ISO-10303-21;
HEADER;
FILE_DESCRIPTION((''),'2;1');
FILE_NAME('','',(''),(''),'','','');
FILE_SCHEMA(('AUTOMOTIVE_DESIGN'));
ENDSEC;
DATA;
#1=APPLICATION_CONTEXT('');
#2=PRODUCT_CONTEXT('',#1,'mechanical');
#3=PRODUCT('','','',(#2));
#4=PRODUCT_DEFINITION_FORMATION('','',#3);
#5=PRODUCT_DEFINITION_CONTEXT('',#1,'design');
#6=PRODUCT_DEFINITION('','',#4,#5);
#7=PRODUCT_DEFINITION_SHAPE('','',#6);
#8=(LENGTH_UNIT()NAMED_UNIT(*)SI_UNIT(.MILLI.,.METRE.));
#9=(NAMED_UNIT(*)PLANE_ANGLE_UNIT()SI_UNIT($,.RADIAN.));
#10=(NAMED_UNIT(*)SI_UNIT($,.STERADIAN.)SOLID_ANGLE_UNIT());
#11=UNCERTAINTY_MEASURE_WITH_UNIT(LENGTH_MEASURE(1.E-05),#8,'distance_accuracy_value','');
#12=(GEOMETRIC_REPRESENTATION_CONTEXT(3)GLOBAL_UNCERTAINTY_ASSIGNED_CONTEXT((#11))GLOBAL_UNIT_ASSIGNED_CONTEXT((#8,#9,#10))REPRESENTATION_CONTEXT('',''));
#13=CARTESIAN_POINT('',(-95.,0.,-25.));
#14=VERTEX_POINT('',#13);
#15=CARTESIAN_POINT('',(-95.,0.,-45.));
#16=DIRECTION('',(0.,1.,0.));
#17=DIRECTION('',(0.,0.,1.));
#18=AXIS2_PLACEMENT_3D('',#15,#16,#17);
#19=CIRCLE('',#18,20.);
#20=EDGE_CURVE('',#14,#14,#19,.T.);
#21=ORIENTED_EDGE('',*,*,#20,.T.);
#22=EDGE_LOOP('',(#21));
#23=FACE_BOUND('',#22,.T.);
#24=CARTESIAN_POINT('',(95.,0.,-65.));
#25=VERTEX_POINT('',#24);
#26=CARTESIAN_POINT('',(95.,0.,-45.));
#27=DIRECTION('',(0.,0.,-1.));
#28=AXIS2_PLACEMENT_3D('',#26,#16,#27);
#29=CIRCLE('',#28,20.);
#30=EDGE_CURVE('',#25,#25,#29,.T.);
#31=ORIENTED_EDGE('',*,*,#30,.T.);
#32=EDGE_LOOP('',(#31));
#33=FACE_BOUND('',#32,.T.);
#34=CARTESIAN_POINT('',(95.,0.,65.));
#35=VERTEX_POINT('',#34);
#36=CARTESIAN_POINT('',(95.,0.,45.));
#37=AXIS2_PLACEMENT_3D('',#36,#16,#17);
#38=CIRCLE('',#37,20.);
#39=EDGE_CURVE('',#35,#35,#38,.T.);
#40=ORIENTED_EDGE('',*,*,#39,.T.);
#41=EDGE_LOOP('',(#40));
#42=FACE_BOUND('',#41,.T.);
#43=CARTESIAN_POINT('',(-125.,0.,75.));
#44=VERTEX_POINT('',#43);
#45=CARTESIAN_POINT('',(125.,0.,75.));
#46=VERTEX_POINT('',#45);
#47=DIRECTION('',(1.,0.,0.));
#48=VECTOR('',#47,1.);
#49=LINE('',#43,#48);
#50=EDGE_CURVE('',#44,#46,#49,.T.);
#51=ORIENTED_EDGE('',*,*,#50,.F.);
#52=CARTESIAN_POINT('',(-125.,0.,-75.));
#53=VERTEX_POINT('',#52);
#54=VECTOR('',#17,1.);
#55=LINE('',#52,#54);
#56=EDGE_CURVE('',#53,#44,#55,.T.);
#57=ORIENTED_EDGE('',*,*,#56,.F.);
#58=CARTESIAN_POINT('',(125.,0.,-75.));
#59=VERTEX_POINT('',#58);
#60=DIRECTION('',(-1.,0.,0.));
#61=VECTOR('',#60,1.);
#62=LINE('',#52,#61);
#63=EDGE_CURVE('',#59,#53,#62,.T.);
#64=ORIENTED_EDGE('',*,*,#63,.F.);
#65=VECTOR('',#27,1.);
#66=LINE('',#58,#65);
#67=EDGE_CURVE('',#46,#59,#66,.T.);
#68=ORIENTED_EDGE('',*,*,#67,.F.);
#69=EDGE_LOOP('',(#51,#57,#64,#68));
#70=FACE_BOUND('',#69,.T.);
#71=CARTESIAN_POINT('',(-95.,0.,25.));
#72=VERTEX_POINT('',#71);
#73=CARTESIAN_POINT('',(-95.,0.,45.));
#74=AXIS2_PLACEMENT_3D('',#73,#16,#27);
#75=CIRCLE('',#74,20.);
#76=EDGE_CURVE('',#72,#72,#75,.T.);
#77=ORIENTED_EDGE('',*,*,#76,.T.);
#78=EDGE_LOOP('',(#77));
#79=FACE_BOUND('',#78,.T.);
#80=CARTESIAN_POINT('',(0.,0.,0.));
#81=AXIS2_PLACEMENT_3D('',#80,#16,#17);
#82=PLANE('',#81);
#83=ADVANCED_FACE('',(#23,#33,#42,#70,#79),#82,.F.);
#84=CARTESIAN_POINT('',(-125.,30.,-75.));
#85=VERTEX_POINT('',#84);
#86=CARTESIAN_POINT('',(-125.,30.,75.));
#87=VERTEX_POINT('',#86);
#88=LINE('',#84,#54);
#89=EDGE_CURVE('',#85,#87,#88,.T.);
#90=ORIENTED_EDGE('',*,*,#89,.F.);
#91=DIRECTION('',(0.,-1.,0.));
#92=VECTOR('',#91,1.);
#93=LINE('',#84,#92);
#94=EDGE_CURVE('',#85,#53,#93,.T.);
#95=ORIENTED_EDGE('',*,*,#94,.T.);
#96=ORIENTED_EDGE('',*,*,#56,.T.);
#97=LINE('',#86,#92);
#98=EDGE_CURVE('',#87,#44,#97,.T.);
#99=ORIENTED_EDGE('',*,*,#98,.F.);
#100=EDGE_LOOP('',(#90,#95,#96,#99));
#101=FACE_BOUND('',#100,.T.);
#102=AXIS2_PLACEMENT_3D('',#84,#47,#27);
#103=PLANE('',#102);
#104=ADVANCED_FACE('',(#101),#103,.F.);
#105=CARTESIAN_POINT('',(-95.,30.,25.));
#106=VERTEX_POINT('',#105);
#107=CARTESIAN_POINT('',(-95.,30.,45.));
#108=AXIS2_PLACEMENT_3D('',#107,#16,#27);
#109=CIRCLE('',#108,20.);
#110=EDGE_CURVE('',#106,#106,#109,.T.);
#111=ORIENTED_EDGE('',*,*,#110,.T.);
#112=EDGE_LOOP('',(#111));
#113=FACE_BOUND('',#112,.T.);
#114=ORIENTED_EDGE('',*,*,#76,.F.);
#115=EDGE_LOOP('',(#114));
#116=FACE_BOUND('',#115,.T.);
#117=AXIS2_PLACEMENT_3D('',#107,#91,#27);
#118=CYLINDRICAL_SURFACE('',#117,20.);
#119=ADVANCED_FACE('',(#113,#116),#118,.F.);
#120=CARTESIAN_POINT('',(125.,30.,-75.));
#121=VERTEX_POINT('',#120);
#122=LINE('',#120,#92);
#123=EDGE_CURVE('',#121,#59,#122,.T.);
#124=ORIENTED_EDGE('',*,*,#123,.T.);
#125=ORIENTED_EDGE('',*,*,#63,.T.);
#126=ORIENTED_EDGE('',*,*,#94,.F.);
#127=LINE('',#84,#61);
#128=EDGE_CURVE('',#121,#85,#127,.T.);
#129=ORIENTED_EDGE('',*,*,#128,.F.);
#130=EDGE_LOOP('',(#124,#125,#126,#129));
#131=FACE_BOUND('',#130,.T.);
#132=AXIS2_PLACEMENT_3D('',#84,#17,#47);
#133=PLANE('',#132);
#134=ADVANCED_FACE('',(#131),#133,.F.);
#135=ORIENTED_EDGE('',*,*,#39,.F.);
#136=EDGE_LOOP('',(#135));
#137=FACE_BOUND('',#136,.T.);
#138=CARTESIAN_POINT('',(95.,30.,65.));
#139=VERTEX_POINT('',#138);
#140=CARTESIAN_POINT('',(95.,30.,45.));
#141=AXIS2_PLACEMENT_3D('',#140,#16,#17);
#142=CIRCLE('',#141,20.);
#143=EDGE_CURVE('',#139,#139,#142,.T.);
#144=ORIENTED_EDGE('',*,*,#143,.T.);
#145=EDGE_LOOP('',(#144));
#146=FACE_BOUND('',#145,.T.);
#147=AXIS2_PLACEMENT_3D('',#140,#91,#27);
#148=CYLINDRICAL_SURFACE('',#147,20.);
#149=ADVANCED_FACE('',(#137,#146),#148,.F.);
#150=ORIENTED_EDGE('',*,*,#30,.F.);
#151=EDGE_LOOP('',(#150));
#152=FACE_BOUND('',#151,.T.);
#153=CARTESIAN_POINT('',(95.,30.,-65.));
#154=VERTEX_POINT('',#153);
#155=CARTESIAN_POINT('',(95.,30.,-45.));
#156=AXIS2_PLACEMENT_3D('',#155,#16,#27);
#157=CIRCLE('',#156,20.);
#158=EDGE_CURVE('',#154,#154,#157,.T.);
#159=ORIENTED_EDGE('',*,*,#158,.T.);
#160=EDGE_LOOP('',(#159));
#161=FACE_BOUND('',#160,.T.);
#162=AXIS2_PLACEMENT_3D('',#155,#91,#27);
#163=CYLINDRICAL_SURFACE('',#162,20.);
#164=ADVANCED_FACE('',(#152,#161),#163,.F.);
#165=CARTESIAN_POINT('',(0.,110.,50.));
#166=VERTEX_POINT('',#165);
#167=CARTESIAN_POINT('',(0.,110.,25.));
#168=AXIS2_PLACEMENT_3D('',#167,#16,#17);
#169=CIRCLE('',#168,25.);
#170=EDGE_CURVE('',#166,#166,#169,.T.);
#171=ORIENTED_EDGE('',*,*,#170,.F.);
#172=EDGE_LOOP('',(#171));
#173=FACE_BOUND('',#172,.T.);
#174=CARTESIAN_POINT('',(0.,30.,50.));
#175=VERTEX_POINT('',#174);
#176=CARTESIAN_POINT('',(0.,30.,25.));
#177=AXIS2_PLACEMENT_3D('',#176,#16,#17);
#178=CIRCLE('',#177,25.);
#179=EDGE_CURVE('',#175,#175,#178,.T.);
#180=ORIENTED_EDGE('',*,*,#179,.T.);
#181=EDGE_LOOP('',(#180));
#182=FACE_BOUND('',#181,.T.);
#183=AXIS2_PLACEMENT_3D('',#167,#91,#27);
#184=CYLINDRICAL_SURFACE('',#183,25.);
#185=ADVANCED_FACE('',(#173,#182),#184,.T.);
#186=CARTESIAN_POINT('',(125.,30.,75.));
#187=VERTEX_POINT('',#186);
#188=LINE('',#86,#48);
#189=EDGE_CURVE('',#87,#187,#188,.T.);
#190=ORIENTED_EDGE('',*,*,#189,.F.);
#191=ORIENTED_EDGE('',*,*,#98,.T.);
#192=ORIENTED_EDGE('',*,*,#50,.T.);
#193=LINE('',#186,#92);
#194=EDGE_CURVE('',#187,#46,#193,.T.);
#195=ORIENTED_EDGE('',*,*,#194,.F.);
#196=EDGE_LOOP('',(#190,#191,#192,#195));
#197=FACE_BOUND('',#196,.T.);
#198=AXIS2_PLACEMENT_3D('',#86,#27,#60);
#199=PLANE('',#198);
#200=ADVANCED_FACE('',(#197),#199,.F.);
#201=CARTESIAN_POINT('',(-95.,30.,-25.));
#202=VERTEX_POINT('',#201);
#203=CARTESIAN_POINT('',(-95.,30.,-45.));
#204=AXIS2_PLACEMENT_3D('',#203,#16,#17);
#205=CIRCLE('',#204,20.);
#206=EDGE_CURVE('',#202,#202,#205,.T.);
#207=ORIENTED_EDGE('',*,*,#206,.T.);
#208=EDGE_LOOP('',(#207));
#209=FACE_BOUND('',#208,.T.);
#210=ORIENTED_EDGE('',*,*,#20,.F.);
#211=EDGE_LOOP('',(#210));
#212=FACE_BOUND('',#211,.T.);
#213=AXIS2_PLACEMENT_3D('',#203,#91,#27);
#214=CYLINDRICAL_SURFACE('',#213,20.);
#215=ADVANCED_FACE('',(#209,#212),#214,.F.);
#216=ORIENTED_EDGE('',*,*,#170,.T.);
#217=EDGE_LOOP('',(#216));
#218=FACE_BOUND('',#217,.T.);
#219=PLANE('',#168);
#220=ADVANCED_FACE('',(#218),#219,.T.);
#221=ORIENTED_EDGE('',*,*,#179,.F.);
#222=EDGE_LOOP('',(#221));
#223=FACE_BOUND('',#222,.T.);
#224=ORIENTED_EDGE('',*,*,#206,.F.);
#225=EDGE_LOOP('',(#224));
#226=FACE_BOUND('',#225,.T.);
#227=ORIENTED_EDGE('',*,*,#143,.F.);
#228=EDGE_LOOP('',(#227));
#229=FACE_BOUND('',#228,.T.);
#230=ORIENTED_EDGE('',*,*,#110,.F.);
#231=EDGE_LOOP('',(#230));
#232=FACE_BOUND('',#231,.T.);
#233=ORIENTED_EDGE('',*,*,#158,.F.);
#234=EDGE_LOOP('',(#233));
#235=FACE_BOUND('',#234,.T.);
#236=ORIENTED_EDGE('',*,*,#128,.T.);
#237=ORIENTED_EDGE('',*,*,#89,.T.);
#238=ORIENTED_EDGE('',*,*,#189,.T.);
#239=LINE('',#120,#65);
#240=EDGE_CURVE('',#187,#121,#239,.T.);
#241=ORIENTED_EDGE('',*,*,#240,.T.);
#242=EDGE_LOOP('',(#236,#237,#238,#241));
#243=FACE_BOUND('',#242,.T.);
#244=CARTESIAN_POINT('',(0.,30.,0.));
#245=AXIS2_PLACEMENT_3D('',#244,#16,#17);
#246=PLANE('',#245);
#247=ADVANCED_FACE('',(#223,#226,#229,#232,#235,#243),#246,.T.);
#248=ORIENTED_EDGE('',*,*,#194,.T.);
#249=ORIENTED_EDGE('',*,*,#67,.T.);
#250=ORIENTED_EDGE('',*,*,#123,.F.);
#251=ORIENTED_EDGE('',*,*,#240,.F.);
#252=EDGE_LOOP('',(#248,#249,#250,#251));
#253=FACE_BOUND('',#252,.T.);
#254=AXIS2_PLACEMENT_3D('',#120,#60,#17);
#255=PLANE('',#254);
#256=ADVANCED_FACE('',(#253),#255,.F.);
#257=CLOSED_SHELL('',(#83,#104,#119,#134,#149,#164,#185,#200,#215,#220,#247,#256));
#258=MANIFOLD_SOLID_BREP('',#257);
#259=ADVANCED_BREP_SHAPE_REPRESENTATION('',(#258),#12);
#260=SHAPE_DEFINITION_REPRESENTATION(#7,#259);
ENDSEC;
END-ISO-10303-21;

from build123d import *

# Parameters (mm, degrees)
SKETCH1_W           = 250
SKETCH1_H           = 150
SKETCH1_R           = 20
BOSS_EXTRUDE1_DEPTH = 30
SKETCH2_R           = 25
BOSS_EXTRUDE2_DEPTH = 80


with BuildPart() as part:
    # Sketch1 → Boss-Extrude1 (new body)
    with BuildSketch(Plane(origin=(0, 0, 0), x_dir=(1, 0, 0), z_dir=(0, 1, 0))):
        Rectangle(SKETCH1_W, SKETCH1_H)
        with Locations(Location((-95, 45, 0), (0, 0, 270))):
            Circle(SKETCH1_R, mode=Mode.SUBTRACT)
        with Locations(Location((-95, -45, 0), (0, 0, 90))):
            Circle(SKETCH1_R, mode=Mode.SUBTRACT)
        with Locations(Location((95, -45, 0), (0, 0, 270))):
            Circle(SKETCH1_R, mode=Mode.SUBTRACT)
        with Locations(Location((95, 45, 0), (0, 0, 90))):
            Circle(SKETCH1_R, mode=Mode.SUBTRACT)
    extrude(amount=BOSS_EXTRUDE1_DEPTH)

    # Sketch2 → Boss-Extrude2 (add)
    with BuildSketch(Plane(origin=(0, 30, 0), x_dir=(1, 0, 0), z_dir=(0, 1, 0))):
        with Locations(Location((0, -25, 0), (0, 0, 270))):
            Circle(SKETCH2_R)
    extrude(amount=BOSS_EXTRUDE2_DEPTH)


solid = part.part
